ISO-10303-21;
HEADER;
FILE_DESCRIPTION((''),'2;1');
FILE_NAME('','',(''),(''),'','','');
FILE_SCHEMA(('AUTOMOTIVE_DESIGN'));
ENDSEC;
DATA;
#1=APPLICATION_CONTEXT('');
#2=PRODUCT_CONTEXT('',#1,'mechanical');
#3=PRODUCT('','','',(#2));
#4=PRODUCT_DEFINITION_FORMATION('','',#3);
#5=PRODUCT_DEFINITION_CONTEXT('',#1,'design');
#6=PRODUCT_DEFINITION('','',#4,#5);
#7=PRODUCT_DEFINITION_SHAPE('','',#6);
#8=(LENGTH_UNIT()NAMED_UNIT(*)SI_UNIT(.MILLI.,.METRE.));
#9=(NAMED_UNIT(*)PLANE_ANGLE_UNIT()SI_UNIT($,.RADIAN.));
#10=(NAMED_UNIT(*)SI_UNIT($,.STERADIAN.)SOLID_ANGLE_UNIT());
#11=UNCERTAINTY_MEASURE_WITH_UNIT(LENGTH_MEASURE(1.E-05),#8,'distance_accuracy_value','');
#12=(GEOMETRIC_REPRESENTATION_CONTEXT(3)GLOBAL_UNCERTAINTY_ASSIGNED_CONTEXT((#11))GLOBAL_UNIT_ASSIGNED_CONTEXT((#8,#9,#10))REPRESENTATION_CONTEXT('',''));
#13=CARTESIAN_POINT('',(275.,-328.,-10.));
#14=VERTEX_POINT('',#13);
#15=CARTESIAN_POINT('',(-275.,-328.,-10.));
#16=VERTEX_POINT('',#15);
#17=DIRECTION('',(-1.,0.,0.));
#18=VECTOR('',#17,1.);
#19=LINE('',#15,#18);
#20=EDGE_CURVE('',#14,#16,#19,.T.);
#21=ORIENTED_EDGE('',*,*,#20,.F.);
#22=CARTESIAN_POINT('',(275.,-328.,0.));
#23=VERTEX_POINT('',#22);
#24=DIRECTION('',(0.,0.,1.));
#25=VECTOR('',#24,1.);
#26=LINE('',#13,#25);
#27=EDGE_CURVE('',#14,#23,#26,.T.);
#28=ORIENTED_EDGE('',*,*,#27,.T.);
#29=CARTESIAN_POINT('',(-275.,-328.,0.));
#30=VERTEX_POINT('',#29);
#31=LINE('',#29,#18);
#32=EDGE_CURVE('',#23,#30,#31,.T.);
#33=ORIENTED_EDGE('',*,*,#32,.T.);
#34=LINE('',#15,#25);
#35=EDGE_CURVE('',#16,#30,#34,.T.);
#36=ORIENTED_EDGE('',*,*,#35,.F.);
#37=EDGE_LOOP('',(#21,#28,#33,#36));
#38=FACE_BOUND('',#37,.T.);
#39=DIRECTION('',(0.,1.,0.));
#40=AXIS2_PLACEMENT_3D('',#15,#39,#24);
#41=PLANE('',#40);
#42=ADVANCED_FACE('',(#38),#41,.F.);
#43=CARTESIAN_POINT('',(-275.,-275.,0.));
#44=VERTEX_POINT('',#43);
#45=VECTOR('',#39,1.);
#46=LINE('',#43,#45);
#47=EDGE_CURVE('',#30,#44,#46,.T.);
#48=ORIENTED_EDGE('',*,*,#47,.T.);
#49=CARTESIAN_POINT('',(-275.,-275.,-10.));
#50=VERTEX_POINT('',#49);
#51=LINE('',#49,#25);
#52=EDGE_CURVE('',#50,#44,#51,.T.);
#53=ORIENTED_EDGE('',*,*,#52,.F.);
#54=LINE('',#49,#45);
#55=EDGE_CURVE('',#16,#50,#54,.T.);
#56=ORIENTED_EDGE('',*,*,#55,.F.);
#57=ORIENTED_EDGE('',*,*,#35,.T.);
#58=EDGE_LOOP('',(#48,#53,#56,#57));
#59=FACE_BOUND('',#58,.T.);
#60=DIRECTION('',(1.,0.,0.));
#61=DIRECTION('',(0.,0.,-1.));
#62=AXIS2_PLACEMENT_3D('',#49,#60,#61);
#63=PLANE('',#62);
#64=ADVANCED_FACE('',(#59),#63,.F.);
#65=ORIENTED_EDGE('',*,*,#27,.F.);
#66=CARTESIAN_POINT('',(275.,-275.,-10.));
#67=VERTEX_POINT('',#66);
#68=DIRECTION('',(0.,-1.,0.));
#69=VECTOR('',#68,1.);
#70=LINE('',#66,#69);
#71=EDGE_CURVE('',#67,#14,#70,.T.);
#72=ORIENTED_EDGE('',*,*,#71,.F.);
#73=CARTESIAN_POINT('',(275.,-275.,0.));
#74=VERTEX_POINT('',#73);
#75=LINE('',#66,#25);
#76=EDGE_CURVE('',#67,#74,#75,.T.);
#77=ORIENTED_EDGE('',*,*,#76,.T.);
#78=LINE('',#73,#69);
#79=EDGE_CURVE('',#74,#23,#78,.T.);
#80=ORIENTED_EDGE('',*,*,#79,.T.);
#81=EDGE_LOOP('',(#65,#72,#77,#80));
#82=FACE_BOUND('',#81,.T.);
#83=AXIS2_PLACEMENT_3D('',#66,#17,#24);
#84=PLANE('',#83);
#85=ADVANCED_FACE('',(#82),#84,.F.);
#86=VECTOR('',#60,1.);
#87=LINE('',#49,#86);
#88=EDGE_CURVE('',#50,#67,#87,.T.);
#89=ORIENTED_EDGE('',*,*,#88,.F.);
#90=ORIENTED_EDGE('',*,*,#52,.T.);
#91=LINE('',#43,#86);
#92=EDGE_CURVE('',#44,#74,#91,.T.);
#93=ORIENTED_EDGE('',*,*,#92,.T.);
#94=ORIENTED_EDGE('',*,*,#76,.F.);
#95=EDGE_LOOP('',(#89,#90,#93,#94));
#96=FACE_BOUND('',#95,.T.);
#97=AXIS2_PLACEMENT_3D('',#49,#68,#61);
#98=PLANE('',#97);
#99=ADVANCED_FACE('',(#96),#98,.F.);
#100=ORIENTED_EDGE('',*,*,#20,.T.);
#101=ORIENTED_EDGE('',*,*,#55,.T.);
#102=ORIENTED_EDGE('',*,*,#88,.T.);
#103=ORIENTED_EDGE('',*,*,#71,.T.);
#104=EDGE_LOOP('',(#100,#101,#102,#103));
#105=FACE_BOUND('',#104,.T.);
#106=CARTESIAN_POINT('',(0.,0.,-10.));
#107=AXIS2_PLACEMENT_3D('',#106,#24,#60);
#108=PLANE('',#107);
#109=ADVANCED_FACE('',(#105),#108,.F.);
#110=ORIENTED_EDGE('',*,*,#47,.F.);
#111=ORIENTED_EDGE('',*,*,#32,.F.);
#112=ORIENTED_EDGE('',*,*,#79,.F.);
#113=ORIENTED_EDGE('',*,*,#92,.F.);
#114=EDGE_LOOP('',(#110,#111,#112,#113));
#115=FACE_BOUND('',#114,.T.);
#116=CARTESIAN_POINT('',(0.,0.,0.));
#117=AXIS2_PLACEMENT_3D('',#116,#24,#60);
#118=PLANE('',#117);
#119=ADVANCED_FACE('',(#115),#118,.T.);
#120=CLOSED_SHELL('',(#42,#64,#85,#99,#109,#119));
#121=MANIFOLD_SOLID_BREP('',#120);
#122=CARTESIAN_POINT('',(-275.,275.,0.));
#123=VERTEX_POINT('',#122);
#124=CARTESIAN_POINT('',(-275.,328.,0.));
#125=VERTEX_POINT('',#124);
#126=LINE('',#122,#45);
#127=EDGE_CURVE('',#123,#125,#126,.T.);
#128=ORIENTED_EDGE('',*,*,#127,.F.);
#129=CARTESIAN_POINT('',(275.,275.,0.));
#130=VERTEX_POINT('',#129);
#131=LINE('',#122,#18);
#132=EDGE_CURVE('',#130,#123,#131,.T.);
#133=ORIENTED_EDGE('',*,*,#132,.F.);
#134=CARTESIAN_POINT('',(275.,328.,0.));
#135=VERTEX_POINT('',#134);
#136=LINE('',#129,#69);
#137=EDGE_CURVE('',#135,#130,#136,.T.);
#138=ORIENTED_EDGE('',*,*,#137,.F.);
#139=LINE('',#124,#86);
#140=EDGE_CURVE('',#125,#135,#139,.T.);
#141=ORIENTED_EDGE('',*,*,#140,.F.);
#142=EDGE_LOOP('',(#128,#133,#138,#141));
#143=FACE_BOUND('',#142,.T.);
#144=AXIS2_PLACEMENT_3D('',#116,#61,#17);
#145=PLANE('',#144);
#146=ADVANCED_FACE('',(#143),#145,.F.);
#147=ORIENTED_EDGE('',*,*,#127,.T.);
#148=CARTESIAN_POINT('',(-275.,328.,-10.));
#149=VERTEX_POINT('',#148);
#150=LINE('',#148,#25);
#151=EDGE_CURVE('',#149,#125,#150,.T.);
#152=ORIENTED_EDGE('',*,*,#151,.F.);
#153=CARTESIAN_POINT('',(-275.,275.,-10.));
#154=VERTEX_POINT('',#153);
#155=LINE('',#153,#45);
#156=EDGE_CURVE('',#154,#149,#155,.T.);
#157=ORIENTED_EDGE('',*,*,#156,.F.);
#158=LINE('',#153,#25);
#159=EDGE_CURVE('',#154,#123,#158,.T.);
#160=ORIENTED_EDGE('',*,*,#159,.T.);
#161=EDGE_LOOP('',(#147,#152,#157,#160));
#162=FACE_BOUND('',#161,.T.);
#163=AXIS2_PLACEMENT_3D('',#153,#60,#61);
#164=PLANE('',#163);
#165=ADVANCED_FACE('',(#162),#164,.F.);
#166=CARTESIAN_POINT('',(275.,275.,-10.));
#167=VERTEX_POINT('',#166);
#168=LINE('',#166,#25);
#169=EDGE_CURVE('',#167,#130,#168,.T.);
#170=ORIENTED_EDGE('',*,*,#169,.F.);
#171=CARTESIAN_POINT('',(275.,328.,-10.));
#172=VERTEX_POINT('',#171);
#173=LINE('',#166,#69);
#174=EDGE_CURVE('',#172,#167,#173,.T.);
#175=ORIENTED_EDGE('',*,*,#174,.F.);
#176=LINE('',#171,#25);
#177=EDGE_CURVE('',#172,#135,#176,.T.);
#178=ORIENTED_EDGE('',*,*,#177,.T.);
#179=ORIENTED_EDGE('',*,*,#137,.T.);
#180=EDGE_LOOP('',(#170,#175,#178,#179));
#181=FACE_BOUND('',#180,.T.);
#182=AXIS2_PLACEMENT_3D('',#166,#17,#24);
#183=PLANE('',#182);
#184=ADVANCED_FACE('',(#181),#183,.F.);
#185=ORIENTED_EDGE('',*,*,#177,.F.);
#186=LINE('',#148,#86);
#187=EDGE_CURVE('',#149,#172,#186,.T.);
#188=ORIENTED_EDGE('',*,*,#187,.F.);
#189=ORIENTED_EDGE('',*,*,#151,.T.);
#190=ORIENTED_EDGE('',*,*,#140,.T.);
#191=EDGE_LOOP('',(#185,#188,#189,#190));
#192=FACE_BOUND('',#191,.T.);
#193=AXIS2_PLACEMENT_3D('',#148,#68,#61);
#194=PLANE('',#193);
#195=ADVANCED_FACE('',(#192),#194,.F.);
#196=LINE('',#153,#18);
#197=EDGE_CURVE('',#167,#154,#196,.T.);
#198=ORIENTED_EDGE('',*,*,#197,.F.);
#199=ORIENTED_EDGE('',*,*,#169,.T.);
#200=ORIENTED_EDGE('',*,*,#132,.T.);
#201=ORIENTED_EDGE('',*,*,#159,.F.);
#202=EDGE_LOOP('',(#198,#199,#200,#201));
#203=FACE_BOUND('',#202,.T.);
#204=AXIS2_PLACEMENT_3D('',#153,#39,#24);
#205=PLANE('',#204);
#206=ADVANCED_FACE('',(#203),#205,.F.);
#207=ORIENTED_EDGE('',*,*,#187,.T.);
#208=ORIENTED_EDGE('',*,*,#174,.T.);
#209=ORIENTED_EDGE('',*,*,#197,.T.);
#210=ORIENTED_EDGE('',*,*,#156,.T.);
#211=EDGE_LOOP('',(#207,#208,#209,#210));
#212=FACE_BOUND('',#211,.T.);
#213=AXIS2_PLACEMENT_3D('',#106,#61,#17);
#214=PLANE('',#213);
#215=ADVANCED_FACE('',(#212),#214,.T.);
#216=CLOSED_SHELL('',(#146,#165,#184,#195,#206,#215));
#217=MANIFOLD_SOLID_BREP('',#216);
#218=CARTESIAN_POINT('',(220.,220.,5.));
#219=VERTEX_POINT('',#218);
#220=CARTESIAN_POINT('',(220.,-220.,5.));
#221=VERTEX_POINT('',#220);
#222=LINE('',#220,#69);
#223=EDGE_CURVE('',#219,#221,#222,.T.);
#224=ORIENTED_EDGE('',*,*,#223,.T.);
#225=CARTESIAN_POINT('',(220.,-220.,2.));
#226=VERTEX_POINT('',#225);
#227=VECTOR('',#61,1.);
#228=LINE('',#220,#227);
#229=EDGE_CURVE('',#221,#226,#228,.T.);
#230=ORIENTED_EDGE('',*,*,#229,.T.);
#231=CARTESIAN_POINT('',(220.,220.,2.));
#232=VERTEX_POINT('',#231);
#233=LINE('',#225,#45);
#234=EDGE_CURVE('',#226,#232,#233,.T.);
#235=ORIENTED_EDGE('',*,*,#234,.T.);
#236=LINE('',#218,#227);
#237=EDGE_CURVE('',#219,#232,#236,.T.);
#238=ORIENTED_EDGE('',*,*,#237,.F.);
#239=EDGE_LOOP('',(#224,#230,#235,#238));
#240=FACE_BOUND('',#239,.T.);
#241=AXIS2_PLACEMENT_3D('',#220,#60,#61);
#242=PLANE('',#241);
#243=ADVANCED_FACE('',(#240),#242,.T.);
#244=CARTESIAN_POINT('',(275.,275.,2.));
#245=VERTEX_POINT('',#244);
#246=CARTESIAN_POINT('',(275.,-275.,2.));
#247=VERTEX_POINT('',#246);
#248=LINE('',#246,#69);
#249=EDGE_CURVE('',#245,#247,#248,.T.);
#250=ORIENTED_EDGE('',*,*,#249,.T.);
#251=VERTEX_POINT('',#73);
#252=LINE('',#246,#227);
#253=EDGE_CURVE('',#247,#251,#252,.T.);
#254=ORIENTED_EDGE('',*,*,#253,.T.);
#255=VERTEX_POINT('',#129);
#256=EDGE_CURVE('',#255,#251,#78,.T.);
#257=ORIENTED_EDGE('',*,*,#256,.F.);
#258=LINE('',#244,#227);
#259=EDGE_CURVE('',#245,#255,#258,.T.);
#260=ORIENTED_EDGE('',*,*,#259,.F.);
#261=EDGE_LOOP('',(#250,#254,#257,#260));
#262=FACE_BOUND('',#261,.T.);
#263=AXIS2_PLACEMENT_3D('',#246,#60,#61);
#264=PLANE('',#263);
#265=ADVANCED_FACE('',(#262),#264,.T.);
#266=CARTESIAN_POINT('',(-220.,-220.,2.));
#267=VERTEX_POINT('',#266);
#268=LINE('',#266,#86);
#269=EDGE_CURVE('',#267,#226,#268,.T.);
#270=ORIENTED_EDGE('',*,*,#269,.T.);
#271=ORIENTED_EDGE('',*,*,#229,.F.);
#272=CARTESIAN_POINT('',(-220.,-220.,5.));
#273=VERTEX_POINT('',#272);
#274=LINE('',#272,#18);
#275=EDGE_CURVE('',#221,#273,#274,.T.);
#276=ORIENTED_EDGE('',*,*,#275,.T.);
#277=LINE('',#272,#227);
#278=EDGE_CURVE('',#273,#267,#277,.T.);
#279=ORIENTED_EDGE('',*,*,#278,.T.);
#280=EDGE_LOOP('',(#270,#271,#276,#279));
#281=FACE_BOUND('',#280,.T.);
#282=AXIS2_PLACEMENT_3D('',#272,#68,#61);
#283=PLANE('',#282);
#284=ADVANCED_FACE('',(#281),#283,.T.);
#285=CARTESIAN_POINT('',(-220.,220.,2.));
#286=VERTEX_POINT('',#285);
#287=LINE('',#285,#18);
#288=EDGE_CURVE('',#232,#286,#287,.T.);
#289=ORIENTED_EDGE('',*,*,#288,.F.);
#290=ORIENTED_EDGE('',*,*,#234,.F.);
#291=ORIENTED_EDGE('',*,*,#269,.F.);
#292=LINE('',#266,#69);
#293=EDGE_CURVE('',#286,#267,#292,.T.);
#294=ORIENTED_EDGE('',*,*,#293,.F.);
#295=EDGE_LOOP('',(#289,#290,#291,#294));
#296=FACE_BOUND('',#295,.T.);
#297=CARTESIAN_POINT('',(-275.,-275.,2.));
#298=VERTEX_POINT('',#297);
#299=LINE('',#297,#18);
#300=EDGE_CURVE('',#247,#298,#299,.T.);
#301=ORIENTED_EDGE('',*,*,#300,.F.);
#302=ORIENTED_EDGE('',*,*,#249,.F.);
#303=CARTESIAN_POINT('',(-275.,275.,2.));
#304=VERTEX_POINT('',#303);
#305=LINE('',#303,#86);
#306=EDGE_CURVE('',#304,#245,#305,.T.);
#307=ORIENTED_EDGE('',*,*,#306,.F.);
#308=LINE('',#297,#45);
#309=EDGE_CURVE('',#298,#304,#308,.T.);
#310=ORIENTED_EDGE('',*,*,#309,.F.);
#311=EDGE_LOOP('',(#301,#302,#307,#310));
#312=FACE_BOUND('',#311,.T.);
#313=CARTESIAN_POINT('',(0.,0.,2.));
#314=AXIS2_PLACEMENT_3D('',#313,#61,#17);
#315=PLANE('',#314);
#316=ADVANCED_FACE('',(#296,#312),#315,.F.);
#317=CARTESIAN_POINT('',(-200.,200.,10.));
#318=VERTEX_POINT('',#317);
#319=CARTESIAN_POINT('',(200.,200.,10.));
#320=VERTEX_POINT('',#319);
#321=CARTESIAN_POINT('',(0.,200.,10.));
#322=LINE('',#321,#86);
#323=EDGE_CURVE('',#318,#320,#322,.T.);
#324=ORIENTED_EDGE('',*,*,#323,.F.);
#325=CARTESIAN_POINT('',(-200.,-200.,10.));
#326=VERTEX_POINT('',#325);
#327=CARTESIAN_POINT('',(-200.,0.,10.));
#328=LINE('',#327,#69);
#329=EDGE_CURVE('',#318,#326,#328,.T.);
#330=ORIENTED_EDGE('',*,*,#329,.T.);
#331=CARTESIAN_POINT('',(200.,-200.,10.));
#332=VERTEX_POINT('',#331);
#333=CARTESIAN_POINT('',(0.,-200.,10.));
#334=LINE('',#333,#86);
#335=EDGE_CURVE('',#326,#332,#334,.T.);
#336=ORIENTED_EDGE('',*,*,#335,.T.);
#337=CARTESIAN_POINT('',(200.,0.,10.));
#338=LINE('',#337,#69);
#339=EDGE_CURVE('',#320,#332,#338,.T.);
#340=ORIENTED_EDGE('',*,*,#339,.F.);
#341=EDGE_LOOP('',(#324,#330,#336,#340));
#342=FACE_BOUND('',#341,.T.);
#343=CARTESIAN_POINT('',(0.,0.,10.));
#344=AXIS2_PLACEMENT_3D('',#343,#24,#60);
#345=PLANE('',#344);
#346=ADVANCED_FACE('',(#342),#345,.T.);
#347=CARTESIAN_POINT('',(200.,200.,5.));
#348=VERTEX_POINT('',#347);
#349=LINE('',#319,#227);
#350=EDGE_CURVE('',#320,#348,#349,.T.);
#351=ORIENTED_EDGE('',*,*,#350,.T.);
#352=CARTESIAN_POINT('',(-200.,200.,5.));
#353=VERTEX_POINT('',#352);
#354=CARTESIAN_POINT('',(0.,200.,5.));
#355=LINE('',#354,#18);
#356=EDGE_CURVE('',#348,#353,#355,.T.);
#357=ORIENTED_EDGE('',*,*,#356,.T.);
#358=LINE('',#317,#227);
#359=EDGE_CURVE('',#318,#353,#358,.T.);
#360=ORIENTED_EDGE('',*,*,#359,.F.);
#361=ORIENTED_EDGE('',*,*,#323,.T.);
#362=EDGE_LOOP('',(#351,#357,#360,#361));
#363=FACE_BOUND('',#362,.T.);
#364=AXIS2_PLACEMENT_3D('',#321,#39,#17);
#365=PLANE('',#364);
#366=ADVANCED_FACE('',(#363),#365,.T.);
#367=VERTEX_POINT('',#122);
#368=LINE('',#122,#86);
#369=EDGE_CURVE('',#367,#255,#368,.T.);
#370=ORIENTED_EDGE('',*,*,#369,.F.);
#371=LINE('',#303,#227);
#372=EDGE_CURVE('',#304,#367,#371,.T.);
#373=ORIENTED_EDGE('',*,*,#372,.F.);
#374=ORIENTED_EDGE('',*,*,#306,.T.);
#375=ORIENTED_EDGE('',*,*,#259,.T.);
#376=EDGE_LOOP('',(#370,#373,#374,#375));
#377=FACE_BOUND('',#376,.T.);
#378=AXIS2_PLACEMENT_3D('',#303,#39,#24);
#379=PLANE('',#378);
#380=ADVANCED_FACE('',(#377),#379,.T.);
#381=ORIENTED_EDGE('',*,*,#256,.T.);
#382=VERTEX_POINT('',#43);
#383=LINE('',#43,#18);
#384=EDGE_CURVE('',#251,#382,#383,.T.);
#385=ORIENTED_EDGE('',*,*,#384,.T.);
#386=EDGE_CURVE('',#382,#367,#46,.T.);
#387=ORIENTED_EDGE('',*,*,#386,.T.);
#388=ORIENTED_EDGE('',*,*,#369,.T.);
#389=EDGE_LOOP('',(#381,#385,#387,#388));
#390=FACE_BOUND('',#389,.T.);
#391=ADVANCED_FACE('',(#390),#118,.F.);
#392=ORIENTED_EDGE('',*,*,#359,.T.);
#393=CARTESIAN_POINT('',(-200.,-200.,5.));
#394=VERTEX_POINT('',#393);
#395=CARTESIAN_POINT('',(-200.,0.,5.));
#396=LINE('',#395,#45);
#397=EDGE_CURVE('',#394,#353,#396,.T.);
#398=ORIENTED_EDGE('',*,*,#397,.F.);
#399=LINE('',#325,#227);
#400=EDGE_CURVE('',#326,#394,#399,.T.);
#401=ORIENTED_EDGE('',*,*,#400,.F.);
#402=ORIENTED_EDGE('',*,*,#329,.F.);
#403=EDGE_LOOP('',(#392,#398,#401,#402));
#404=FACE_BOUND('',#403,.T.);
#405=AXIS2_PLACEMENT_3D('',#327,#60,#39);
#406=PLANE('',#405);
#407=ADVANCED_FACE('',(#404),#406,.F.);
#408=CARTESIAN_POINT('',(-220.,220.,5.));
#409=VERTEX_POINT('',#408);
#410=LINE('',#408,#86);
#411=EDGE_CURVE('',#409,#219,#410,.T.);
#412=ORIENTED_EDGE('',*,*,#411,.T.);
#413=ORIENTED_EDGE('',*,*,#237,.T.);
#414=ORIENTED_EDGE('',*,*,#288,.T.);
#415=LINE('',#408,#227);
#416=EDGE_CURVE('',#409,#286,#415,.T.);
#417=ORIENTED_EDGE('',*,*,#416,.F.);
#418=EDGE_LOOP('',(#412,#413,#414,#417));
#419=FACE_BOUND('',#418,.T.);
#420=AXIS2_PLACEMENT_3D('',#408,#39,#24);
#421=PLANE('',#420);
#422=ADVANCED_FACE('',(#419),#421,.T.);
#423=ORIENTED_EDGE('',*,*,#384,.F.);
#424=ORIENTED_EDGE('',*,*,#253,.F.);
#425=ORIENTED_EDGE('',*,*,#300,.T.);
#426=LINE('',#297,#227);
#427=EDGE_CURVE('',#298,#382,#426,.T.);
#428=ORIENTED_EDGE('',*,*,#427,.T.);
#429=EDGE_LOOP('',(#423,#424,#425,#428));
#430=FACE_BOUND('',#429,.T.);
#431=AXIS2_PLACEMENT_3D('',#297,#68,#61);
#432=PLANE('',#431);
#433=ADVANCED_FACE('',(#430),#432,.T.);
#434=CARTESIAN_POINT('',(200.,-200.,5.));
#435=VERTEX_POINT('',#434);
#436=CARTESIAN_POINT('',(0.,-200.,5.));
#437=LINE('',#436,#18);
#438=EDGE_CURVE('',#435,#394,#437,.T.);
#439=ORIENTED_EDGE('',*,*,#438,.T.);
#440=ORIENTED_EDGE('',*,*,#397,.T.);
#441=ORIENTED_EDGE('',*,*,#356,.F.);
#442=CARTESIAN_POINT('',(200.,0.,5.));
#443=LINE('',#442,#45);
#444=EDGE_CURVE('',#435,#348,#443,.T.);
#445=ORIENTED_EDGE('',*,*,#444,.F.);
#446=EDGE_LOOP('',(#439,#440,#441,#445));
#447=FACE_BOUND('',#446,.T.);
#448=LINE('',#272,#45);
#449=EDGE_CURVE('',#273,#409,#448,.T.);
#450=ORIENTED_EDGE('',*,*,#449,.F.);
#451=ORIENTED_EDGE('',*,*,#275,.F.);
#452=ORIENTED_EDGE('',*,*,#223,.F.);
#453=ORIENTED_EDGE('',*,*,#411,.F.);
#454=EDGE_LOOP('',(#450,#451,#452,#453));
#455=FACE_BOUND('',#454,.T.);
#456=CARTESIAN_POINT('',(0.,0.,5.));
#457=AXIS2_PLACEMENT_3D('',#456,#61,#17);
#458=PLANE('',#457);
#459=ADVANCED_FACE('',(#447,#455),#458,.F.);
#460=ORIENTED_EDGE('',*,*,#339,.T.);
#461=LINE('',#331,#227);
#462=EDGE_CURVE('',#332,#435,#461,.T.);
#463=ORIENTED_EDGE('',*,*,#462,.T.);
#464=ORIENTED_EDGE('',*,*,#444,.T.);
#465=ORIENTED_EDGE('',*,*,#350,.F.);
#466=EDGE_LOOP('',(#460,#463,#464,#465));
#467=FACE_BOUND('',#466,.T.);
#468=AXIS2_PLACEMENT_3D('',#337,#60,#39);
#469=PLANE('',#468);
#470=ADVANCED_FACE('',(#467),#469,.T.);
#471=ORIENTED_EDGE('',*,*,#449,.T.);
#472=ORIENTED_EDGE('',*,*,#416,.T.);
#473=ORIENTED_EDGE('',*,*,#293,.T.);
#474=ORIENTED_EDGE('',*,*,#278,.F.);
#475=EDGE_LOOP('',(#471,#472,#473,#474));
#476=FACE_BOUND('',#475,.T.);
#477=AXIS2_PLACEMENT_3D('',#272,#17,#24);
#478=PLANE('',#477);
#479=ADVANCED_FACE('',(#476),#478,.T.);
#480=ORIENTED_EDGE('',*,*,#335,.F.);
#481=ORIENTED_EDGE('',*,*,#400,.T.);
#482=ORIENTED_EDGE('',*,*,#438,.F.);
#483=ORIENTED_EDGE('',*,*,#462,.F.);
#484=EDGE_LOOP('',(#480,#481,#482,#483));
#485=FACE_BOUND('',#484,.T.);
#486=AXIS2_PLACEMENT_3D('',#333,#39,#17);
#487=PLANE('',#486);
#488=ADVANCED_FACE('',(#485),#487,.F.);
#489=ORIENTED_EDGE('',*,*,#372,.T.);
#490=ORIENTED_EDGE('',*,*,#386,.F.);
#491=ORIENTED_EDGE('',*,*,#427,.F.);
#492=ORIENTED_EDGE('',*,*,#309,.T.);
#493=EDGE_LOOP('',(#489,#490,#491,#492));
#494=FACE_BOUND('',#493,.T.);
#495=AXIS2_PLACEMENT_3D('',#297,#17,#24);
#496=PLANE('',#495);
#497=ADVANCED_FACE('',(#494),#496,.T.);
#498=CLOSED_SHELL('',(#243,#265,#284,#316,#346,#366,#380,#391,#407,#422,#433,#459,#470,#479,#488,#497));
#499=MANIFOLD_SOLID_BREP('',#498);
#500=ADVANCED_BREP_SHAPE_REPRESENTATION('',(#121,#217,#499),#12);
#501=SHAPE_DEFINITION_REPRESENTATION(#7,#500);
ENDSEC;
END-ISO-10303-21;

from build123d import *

# Parameters (mm, degrees)
SKETCH1_W             = 400
SKETCH1_H             = 400
BOSS_EXTRUDE1_DEPTH   = 10
SKETCH2_W             = 440
SKETCH2_H             = 440
BOSS_EXTRUDE2_DEPTH   = 5
SKETCH3_W             = 550
SKETCH3_H             = 550
BOSS_EXTRUDE3_DEPTH   = 2
SKETCH4_W             = 550
SKETCH4_H             = 53
BOSS_EXTRUDE4_DEPTH   = 10
BOSS_EXTRUDE4_2_DEPTH = 10


with BuildPart() as part:
    # Sketch1 → Boss-Extrude1 (new body)
    with BuildSketch(Plane(origin=(0, 0, 0), x_dir=(0, 1, 0), z_dir=(0, 0, 1))):
        Rectangle(SKETCH1_W, SKETCH1_H)
    extrude(amount=BOSS_EXTRUDE1_DEPTH)

    # Sketch2 → Boss-Extrude2 (add)
    with BuildSketch(Plane(origin=(0, 0, 0), x_dir=(1, 0, 0), z_dir=(0, 0, -1))):
        Rectangle(SKETCH2_W, SKETCH2_H)
    extrude(amount=-BOSS_EXTRUDE2_DEPTH)

    # Sketch3 → Boss-Extrude3 (add)
    with BuildSketch(Plane(origin=(0, 0, 0), x_dir=(1, 0, 0), z_dir=(0, 0, -1))):
        Rectangle(SKETCH3_W, SKETCH3_H)
    extrude(amount=-BOSS_EXTRUDE3_DEPTH)


with BuildPart() as body_2:
    # Sketch4 → Boss-Extrude4 (new body)
    with BuildSketch(Plane(origin=(0, 0, 0), x_dir=(1, 0, 0), z_dir=(0, 0, -1))):
        with Locations((0, 301.5)):
            Rectangle(SKETCH4_W, SKETCH4_H)
    extrude(amount=BOSS_EXTRUDE4_DEPTH)


with BuildPart() as body_3:
    # Sketch4 → Boss-Extrude4 2 (new body)
    with BuildSketch(Plane(origin=(0, 0, 0), x_dir=(1, 0, 0), z_dir=(0, 0, -1))):
        with Locations((0, -301.5)):
            Rectangle(SKETCH4_W, SKETCH4_H)
    extrude(amount=BOSS_EXTRUDE4_2_DEPTH)


solid = Compound([part.part, body_2.part, body_3.part])
